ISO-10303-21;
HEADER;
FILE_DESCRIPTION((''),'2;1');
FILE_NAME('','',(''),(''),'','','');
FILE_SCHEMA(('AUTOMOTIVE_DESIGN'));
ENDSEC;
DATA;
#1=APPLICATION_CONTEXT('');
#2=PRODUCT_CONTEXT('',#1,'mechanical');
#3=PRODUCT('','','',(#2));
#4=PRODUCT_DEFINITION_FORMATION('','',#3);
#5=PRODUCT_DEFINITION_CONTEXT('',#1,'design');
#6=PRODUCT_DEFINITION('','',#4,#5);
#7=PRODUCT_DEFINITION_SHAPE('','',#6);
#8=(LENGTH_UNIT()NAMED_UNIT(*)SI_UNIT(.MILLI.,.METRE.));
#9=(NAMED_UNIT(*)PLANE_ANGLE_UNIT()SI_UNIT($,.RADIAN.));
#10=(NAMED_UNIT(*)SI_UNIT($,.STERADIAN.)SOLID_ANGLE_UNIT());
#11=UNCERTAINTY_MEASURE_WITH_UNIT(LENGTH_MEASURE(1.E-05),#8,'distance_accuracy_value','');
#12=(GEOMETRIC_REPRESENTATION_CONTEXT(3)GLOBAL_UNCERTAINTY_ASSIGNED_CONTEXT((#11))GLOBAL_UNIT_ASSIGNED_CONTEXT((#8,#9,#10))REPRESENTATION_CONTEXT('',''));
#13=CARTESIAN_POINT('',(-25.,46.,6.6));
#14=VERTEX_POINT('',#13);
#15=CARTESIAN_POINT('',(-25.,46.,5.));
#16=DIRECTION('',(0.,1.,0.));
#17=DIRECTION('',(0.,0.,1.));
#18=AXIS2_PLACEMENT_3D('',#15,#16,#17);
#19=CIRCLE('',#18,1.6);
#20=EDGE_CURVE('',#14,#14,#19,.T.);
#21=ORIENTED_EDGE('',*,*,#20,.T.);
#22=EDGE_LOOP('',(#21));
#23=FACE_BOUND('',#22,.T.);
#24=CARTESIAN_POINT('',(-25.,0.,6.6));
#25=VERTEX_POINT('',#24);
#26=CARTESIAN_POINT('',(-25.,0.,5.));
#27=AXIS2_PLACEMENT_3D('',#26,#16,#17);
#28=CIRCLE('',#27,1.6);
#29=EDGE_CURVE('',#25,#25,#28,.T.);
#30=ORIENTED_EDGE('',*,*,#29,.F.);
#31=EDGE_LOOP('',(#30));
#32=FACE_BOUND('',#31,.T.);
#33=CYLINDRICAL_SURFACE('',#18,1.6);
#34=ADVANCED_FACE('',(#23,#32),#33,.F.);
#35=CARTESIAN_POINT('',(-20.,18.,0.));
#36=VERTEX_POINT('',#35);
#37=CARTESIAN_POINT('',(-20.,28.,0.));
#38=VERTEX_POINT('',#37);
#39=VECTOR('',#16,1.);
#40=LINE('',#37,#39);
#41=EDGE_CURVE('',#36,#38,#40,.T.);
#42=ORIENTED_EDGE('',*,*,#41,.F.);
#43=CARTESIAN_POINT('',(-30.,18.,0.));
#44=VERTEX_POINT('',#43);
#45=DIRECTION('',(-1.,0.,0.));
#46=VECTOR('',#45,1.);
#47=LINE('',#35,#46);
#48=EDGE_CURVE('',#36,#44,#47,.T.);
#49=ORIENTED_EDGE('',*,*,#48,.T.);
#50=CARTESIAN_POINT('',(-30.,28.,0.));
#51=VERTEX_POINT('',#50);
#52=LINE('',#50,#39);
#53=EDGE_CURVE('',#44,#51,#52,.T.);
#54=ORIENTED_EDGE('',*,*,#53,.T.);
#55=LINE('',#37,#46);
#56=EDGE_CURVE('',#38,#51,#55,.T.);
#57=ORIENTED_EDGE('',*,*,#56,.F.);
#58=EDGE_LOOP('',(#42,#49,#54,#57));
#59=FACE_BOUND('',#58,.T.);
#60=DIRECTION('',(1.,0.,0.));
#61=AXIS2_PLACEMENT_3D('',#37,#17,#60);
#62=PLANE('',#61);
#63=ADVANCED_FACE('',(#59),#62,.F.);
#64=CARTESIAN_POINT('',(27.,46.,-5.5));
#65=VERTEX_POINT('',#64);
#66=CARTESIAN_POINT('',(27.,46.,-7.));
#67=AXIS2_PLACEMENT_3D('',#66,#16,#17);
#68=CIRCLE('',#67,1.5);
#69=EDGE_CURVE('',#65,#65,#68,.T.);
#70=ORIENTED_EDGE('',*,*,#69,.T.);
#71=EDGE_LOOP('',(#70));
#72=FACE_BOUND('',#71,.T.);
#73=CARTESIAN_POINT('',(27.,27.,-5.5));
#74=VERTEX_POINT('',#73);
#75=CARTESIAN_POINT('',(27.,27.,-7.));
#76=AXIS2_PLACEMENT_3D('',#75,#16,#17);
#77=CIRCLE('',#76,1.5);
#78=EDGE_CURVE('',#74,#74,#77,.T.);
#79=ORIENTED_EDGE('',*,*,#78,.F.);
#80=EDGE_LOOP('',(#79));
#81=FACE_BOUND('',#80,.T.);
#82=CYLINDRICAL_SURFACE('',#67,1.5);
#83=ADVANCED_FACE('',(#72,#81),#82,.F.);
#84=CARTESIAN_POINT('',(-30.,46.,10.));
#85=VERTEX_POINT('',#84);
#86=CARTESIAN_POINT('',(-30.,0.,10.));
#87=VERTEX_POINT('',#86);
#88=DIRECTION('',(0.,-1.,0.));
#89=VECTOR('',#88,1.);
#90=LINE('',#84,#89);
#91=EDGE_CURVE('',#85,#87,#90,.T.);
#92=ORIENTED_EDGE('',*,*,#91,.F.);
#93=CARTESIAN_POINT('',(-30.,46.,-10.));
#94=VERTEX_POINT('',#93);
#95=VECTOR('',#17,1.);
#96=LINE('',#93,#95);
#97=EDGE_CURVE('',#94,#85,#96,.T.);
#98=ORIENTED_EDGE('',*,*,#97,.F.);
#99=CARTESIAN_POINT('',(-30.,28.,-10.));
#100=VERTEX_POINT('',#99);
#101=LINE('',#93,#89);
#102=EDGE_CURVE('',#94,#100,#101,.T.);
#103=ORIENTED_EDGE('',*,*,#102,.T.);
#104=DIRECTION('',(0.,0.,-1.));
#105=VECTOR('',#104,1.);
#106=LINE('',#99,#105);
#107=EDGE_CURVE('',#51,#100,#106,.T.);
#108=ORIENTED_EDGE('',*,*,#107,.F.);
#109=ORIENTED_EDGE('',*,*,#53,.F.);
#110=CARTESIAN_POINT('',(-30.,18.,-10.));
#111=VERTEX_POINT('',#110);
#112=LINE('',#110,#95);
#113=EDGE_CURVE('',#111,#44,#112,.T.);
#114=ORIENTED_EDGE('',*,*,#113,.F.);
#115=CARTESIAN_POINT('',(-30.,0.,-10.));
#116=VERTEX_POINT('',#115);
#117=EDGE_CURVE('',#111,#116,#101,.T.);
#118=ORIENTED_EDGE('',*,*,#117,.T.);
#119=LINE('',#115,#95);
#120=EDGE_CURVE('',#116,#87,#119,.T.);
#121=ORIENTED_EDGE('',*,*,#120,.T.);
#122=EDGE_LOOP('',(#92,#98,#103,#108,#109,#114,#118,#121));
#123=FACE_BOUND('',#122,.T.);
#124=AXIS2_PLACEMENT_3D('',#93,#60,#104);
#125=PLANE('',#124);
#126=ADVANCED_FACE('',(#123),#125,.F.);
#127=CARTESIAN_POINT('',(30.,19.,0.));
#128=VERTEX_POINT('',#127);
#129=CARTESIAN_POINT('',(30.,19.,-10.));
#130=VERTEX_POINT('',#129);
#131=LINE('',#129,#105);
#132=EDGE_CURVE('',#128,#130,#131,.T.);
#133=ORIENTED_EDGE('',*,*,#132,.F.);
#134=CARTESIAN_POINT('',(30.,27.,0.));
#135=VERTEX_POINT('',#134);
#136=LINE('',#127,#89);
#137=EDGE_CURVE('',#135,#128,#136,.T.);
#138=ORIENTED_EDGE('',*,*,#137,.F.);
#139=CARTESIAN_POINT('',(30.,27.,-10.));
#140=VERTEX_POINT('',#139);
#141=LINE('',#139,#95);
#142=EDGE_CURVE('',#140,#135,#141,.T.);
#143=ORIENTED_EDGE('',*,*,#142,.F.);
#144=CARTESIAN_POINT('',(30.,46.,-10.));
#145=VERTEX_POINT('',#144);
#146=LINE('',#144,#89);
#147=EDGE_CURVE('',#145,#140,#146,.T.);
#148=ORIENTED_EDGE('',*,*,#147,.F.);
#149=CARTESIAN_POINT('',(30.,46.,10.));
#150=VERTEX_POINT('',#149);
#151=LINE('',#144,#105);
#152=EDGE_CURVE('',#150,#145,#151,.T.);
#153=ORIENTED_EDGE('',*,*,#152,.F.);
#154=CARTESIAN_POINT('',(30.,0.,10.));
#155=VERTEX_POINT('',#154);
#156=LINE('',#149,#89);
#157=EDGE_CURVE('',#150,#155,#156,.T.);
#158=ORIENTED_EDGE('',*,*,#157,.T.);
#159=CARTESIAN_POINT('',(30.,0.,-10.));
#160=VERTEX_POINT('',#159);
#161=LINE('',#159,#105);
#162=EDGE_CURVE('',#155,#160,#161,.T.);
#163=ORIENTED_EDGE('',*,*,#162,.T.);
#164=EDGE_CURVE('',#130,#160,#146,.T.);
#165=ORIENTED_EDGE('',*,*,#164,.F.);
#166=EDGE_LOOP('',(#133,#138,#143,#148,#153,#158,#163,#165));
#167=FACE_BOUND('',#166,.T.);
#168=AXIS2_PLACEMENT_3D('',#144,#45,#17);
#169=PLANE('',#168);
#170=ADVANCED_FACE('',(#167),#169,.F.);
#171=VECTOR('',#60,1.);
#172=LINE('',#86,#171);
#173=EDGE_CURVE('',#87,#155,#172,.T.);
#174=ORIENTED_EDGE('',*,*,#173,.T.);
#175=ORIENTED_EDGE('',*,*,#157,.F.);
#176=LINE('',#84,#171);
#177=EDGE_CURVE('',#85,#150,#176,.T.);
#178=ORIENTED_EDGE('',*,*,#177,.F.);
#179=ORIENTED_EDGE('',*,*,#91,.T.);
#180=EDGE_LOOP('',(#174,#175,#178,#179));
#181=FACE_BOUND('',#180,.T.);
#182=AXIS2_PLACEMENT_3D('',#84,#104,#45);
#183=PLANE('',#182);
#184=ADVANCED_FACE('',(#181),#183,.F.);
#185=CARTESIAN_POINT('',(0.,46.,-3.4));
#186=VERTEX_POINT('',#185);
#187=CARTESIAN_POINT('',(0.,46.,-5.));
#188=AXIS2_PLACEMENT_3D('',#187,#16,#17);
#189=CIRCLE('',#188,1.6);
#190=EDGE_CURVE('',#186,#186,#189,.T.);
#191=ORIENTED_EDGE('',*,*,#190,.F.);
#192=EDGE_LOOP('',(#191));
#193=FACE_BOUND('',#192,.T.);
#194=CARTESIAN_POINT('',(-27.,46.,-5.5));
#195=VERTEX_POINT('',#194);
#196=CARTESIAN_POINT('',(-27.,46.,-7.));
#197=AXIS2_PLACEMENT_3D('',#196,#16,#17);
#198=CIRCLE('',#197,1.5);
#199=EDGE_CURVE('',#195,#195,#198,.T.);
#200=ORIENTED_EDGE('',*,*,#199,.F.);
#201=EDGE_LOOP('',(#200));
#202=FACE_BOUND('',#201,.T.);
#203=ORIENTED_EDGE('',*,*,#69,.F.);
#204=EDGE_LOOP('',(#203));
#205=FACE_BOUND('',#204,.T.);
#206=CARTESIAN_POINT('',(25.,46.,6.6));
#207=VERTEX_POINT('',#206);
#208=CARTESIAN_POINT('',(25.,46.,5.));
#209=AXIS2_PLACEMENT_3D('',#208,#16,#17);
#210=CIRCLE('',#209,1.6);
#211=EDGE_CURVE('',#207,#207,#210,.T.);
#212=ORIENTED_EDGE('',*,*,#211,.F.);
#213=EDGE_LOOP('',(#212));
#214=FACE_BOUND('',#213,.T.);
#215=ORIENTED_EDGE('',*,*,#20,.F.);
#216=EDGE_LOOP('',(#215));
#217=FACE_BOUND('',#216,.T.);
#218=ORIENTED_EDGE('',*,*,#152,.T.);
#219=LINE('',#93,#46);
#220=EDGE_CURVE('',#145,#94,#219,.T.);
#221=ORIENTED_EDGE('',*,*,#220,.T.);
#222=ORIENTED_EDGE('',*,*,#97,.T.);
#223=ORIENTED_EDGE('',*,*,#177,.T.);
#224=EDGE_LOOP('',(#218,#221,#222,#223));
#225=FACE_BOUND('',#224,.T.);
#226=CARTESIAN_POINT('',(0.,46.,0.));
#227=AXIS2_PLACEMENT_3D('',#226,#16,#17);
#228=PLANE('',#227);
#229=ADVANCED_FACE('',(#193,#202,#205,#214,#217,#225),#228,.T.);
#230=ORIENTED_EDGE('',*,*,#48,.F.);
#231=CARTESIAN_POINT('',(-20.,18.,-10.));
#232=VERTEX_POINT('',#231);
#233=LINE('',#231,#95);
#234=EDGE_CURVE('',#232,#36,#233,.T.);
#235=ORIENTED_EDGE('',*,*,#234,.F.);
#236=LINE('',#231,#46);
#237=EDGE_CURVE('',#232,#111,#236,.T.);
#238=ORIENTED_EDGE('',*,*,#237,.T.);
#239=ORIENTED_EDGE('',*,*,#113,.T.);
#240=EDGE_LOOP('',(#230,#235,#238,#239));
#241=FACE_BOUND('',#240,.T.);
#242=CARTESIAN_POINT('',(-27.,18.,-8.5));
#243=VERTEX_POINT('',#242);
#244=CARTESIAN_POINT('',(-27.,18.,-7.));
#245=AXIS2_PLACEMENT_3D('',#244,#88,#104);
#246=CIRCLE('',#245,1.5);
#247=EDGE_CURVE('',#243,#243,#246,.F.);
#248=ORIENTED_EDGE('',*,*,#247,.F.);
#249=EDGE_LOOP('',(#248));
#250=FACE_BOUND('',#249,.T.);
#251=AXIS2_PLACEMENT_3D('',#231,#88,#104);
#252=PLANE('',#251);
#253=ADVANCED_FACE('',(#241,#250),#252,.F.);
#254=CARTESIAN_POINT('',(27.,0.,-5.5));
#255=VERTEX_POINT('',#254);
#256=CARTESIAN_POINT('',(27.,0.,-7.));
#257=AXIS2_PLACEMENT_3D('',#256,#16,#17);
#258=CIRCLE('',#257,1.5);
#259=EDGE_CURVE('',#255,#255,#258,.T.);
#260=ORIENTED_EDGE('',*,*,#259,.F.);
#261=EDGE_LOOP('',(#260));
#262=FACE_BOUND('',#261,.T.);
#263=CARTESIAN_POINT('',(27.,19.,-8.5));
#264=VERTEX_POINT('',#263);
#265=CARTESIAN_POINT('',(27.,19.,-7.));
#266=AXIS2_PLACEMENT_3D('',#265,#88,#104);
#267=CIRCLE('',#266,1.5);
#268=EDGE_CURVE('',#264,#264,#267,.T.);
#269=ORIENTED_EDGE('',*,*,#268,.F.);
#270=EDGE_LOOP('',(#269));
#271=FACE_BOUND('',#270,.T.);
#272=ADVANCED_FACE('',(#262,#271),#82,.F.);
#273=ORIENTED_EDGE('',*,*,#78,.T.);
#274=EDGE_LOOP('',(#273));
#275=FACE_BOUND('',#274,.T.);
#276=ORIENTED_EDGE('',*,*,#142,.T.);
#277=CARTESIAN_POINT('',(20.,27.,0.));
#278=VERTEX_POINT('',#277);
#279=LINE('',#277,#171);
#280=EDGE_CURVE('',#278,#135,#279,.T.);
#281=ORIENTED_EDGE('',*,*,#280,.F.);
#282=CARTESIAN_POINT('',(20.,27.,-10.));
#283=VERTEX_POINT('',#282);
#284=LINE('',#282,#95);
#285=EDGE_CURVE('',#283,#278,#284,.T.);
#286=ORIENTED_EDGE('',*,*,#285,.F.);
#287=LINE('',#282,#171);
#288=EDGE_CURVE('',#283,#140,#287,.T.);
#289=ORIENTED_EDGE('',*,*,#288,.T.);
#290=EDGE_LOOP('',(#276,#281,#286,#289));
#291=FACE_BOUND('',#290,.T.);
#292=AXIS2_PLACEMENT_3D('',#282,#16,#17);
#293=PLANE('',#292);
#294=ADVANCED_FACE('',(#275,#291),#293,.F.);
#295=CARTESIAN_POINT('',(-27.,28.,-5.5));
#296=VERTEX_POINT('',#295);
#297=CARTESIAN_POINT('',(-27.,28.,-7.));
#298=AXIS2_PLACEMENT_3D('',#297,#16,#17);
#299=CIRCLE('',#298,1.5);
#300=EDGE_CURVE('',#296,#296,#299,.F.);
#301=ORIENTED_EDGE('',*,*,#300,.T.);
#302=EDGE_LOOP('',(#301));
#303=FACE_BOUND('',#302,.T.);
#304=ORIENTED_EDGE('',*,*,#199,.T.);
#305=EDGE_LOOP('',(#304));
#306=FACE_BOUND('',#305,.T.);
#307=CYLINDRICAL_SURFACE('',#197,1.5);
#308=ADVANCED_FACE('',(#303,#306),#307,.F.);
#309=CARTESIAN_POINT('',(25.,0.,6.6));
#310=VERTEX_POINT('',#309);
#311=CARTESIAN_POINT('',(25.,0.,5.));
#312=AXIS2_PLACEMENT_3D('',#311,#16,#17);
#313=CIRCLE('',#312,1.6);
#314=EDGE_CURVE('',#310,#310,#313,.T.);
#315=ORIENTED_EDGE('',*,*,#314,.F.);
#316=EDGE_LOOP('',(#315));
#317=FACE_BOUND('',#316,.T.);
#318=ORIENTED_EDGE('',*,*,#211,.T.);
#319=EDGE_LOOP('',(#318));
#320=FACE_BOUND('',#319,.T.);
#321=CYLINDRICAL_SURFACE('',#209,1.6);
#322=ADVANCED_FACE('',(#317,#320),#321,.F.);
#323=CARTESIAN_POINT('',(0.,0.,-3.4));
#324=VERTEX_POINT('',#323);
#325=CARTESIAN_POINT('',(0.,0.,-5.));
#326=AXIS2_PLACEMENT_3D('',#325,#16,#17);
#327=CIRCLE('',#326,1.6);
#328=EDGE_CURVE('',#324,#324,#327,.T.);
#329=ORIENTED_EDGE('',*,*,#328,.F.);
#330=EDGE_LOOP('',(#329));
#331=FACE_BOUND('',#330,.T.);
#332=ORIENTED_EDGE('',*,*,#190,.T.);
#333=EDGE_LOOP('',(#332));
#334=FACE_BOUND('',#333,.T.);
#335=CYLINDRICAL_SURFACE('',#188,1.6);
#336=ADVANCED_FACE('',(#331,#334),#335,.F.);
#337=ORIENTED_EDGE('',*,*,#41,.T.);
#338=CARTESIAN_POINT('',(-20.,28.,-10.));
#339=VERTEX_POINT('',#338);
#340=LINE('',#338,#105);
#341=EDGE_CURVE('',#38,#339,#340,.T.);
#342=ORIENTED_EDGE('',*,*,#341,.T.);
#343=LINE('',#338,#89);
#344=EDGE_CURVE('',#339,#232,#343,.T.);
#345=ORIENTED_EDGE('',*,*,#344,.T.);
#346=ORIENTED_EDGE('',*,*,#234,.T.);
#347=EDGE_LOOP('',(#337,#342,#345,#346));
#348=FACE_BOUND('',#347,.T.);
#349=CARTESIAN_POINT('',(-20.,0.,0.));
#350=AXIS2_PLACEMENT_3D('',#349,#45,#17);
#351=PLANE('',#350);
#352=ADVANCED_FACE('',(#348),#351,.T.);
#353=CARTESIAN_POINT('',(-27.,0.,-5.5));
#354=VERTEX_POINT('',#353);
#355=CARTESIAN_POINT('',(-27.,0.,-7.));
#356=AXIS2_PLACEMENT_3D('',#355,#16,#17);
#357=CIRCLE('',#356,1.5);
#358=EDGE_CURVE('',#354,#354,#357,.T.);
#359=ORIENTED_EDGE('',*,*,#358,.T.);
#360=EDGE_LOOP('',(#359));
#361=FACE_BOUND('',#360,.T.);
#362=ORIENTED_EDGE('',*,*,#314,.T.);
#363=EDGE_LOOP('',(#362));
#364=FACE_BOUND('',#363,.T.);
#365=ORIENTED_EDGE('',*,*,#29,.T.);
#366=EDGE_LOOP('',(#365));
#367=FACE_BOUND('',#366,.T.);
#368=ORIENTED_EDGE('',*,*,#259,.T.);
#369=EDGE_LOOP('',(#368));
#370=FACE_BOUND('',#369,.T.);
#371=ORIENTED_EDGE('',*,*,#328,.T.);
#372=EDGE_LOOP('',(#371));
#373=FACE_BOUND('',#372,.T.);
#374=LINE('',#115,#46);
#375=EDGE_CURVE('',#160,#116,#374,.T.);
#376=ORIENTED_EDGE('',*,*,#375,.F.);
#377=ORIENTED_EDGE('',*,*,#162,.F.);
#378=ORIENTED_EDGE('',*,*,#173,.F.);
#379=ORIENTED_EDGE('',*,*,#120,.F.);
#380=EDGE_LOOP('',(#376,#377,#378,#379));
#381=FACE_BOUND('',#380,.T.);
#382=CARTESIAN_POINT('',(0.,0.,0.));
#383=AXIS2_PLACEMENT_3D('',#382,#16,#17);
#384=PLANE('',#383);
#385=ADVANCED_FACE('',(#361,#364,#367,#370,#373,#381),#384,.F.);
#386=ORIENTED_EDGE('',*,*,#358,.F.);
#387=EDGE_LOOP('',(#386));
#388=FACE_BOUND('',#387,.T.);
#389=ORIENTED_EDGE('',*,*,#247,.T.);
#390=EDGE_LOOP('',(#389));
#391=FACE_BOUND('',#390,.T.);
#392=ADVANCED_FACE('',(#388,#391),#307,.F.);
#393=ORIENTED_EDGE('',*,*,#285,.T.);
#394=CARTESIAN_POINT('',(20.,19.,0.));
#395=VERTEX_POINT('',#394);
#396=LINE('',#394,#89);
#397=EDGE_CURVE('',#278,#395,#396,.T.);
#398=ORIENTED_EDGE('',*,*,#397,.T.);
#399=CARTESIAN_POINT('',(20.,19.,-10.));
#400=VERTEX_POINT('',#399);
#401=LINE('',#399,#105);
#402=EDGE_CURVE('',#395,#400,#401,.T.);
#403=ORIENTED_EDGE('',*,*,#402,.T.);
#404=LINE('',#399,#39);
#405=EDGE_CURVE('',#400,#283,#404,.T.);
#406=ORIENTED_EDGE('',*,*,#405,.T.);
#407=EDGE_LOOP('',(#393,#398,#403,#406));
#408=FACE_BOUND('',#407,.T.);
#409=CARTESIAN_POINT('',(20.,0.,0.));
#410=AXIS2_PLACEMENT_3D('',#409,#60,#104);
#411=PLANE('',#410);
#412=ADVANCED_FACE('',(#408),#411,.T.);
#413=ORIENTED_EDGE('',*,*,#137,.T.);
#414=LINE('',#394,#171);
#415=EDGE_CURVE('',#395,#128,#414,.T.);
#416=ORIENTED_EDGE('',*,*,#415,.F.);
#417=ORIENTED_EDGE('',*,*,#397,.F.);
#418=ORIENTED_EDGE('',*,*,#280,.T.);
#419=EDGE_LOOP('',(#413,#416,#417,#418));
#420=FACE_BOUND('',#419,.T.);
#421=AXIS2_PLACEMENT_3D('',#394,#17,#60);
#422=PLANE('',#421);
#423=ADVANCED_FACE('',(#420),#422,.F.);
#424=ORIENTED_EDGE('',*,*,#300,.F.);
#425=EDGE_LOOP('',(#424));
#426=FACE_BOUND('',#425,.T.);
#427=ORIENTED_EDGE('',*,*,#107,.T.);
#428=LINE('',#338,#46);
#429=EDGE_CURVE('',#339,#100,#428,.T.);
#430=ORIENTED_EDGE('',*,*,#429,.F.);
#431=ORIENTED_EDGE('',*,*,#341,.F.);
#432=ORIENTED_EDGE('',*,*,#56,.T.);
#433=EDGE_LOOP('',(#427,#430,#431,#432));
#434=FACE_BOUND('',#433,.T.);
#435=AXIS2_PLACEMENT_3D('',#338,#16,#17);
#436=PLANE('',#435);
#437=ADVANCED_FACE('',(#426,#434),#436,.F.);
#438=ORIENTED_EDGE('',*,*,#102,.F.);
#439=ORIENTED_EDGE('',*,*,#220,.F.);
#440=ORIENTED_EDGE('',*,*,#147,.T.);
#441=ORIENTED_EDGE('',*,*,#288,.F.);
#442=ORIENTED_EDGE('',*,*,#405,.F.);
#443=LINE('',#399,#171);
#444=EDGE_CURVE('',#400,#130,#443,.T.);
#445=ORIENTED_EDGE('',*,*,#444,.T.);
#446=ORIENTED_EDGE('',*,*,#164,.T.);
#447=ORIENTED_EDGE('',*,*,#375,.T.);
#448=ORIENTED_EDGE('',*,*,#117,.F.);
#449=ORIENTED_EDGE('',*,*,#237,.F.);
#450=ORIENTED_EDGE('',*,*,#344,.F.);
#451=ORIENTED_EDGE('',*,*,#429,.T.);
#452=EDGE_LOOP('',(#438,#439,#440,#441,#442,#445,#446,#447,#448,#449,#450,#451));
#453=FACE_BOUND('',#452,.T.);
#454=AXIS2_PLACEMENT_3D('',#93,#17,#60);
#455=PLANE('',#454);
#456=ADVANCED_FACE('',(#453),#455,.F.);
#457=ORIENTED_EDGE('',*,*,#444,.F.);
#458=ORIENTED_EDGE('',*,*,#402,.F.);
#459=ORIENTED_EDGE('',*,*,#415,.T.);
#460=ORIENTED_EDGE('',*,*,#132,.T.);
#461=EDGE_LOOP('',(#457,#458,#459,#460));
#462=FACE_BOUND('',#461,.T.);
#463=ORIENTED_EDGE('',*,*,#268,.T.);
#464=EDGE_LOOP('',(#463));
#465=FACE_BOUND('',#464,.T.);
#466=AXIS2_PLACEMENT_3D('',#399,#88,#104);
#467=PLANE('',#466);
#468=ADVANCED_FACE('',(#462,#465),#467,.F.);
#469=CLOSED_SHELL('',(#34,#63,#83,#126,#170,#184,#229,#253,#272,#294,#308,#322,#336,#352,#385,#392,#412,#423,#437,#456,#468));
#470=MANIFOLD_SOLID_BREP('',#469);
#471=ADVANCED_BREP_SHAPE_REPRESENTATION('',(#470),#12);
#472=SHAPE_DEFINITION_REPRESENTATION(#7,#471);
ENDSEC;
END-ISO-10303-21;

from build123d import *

# Parameters (mm, degrees)
SKETCH1_W             = 60
SKETCH1_H             = 20
BOSS_EXTRUDE1_DEPTH   = 46
SKETCH2_W             = 10
SKETCH2_H             = 8
CUT_EXTRUDE1_DEPTH    = 10
F_3_0MM_DOWEL_HOLE1_D = 3
SKETCH5_W             = 10
SKETCH5_H             = 10
CUT_EXTRUDE2_DEPTH    = 10
M3_CLEARANCE_HOLE1_D  = 3.2


with BuildPart() as part:
    # Sketch1 → Boss-Extrude1 (new body)
    with BuildSketch(Plane(origin=(0, 0, 0), x_dir=(1, 0, 0), z_dir=(0, 1, 0))):
        Rectangle(SKETCH1_W, SKETCH1_H)
    extrude(amount=BOSS_EXTRUDE1_DEPTH)

    # Sketch2 → Cut-Extrude1 (cut)
    with BuildSketch(Plane(origin=(30, 0, 0), x_dir=(0, 0, -1), z_dir=(1, 0, 0))):
        with Locations((5, 23)):
            Rectangle(SKETCH2_W, SKETCH2_H)
    extrude(amount=-CUT_EXTRUDE1_DEPTH, mode=Mode.SUBTRACT)

    # Ø3.0mm Dowel Hole1 (through all)
    with Locations(Plane(origin=(0, 46, 0), x_dir=(1, 0, 0), z_dir=(0, 1, 0))):
        with Locations((-27, 7), (27, 7)):
            Hole(F_3_0MM_DOWEL_HOLE1_D / 2)

    # Sketch5 → Cut-Extrude2 (cut)
    with BuildSketch(Plane.ZY.offset(30)):
        with Locations((-5, 23)):
            Rectangle(SKETCH5_W, SKETCH5_H)
    extrude(amount=-CUT_EXTRUDE2_DEPTH, mode=Mode.SUBTRACT)

    # M3 Clearance Hole1 (through all)
    with Locations(Plane(origin=(0, 46, 0), x_dir=(1, 0, 0), z_dir=(0, 1, 0))):
        with Locations((-25, -5), (0, 5), (25, -5)):
            Hole(M3_CLEARANCE_HOLE1_D / 2)


solid = part.part
